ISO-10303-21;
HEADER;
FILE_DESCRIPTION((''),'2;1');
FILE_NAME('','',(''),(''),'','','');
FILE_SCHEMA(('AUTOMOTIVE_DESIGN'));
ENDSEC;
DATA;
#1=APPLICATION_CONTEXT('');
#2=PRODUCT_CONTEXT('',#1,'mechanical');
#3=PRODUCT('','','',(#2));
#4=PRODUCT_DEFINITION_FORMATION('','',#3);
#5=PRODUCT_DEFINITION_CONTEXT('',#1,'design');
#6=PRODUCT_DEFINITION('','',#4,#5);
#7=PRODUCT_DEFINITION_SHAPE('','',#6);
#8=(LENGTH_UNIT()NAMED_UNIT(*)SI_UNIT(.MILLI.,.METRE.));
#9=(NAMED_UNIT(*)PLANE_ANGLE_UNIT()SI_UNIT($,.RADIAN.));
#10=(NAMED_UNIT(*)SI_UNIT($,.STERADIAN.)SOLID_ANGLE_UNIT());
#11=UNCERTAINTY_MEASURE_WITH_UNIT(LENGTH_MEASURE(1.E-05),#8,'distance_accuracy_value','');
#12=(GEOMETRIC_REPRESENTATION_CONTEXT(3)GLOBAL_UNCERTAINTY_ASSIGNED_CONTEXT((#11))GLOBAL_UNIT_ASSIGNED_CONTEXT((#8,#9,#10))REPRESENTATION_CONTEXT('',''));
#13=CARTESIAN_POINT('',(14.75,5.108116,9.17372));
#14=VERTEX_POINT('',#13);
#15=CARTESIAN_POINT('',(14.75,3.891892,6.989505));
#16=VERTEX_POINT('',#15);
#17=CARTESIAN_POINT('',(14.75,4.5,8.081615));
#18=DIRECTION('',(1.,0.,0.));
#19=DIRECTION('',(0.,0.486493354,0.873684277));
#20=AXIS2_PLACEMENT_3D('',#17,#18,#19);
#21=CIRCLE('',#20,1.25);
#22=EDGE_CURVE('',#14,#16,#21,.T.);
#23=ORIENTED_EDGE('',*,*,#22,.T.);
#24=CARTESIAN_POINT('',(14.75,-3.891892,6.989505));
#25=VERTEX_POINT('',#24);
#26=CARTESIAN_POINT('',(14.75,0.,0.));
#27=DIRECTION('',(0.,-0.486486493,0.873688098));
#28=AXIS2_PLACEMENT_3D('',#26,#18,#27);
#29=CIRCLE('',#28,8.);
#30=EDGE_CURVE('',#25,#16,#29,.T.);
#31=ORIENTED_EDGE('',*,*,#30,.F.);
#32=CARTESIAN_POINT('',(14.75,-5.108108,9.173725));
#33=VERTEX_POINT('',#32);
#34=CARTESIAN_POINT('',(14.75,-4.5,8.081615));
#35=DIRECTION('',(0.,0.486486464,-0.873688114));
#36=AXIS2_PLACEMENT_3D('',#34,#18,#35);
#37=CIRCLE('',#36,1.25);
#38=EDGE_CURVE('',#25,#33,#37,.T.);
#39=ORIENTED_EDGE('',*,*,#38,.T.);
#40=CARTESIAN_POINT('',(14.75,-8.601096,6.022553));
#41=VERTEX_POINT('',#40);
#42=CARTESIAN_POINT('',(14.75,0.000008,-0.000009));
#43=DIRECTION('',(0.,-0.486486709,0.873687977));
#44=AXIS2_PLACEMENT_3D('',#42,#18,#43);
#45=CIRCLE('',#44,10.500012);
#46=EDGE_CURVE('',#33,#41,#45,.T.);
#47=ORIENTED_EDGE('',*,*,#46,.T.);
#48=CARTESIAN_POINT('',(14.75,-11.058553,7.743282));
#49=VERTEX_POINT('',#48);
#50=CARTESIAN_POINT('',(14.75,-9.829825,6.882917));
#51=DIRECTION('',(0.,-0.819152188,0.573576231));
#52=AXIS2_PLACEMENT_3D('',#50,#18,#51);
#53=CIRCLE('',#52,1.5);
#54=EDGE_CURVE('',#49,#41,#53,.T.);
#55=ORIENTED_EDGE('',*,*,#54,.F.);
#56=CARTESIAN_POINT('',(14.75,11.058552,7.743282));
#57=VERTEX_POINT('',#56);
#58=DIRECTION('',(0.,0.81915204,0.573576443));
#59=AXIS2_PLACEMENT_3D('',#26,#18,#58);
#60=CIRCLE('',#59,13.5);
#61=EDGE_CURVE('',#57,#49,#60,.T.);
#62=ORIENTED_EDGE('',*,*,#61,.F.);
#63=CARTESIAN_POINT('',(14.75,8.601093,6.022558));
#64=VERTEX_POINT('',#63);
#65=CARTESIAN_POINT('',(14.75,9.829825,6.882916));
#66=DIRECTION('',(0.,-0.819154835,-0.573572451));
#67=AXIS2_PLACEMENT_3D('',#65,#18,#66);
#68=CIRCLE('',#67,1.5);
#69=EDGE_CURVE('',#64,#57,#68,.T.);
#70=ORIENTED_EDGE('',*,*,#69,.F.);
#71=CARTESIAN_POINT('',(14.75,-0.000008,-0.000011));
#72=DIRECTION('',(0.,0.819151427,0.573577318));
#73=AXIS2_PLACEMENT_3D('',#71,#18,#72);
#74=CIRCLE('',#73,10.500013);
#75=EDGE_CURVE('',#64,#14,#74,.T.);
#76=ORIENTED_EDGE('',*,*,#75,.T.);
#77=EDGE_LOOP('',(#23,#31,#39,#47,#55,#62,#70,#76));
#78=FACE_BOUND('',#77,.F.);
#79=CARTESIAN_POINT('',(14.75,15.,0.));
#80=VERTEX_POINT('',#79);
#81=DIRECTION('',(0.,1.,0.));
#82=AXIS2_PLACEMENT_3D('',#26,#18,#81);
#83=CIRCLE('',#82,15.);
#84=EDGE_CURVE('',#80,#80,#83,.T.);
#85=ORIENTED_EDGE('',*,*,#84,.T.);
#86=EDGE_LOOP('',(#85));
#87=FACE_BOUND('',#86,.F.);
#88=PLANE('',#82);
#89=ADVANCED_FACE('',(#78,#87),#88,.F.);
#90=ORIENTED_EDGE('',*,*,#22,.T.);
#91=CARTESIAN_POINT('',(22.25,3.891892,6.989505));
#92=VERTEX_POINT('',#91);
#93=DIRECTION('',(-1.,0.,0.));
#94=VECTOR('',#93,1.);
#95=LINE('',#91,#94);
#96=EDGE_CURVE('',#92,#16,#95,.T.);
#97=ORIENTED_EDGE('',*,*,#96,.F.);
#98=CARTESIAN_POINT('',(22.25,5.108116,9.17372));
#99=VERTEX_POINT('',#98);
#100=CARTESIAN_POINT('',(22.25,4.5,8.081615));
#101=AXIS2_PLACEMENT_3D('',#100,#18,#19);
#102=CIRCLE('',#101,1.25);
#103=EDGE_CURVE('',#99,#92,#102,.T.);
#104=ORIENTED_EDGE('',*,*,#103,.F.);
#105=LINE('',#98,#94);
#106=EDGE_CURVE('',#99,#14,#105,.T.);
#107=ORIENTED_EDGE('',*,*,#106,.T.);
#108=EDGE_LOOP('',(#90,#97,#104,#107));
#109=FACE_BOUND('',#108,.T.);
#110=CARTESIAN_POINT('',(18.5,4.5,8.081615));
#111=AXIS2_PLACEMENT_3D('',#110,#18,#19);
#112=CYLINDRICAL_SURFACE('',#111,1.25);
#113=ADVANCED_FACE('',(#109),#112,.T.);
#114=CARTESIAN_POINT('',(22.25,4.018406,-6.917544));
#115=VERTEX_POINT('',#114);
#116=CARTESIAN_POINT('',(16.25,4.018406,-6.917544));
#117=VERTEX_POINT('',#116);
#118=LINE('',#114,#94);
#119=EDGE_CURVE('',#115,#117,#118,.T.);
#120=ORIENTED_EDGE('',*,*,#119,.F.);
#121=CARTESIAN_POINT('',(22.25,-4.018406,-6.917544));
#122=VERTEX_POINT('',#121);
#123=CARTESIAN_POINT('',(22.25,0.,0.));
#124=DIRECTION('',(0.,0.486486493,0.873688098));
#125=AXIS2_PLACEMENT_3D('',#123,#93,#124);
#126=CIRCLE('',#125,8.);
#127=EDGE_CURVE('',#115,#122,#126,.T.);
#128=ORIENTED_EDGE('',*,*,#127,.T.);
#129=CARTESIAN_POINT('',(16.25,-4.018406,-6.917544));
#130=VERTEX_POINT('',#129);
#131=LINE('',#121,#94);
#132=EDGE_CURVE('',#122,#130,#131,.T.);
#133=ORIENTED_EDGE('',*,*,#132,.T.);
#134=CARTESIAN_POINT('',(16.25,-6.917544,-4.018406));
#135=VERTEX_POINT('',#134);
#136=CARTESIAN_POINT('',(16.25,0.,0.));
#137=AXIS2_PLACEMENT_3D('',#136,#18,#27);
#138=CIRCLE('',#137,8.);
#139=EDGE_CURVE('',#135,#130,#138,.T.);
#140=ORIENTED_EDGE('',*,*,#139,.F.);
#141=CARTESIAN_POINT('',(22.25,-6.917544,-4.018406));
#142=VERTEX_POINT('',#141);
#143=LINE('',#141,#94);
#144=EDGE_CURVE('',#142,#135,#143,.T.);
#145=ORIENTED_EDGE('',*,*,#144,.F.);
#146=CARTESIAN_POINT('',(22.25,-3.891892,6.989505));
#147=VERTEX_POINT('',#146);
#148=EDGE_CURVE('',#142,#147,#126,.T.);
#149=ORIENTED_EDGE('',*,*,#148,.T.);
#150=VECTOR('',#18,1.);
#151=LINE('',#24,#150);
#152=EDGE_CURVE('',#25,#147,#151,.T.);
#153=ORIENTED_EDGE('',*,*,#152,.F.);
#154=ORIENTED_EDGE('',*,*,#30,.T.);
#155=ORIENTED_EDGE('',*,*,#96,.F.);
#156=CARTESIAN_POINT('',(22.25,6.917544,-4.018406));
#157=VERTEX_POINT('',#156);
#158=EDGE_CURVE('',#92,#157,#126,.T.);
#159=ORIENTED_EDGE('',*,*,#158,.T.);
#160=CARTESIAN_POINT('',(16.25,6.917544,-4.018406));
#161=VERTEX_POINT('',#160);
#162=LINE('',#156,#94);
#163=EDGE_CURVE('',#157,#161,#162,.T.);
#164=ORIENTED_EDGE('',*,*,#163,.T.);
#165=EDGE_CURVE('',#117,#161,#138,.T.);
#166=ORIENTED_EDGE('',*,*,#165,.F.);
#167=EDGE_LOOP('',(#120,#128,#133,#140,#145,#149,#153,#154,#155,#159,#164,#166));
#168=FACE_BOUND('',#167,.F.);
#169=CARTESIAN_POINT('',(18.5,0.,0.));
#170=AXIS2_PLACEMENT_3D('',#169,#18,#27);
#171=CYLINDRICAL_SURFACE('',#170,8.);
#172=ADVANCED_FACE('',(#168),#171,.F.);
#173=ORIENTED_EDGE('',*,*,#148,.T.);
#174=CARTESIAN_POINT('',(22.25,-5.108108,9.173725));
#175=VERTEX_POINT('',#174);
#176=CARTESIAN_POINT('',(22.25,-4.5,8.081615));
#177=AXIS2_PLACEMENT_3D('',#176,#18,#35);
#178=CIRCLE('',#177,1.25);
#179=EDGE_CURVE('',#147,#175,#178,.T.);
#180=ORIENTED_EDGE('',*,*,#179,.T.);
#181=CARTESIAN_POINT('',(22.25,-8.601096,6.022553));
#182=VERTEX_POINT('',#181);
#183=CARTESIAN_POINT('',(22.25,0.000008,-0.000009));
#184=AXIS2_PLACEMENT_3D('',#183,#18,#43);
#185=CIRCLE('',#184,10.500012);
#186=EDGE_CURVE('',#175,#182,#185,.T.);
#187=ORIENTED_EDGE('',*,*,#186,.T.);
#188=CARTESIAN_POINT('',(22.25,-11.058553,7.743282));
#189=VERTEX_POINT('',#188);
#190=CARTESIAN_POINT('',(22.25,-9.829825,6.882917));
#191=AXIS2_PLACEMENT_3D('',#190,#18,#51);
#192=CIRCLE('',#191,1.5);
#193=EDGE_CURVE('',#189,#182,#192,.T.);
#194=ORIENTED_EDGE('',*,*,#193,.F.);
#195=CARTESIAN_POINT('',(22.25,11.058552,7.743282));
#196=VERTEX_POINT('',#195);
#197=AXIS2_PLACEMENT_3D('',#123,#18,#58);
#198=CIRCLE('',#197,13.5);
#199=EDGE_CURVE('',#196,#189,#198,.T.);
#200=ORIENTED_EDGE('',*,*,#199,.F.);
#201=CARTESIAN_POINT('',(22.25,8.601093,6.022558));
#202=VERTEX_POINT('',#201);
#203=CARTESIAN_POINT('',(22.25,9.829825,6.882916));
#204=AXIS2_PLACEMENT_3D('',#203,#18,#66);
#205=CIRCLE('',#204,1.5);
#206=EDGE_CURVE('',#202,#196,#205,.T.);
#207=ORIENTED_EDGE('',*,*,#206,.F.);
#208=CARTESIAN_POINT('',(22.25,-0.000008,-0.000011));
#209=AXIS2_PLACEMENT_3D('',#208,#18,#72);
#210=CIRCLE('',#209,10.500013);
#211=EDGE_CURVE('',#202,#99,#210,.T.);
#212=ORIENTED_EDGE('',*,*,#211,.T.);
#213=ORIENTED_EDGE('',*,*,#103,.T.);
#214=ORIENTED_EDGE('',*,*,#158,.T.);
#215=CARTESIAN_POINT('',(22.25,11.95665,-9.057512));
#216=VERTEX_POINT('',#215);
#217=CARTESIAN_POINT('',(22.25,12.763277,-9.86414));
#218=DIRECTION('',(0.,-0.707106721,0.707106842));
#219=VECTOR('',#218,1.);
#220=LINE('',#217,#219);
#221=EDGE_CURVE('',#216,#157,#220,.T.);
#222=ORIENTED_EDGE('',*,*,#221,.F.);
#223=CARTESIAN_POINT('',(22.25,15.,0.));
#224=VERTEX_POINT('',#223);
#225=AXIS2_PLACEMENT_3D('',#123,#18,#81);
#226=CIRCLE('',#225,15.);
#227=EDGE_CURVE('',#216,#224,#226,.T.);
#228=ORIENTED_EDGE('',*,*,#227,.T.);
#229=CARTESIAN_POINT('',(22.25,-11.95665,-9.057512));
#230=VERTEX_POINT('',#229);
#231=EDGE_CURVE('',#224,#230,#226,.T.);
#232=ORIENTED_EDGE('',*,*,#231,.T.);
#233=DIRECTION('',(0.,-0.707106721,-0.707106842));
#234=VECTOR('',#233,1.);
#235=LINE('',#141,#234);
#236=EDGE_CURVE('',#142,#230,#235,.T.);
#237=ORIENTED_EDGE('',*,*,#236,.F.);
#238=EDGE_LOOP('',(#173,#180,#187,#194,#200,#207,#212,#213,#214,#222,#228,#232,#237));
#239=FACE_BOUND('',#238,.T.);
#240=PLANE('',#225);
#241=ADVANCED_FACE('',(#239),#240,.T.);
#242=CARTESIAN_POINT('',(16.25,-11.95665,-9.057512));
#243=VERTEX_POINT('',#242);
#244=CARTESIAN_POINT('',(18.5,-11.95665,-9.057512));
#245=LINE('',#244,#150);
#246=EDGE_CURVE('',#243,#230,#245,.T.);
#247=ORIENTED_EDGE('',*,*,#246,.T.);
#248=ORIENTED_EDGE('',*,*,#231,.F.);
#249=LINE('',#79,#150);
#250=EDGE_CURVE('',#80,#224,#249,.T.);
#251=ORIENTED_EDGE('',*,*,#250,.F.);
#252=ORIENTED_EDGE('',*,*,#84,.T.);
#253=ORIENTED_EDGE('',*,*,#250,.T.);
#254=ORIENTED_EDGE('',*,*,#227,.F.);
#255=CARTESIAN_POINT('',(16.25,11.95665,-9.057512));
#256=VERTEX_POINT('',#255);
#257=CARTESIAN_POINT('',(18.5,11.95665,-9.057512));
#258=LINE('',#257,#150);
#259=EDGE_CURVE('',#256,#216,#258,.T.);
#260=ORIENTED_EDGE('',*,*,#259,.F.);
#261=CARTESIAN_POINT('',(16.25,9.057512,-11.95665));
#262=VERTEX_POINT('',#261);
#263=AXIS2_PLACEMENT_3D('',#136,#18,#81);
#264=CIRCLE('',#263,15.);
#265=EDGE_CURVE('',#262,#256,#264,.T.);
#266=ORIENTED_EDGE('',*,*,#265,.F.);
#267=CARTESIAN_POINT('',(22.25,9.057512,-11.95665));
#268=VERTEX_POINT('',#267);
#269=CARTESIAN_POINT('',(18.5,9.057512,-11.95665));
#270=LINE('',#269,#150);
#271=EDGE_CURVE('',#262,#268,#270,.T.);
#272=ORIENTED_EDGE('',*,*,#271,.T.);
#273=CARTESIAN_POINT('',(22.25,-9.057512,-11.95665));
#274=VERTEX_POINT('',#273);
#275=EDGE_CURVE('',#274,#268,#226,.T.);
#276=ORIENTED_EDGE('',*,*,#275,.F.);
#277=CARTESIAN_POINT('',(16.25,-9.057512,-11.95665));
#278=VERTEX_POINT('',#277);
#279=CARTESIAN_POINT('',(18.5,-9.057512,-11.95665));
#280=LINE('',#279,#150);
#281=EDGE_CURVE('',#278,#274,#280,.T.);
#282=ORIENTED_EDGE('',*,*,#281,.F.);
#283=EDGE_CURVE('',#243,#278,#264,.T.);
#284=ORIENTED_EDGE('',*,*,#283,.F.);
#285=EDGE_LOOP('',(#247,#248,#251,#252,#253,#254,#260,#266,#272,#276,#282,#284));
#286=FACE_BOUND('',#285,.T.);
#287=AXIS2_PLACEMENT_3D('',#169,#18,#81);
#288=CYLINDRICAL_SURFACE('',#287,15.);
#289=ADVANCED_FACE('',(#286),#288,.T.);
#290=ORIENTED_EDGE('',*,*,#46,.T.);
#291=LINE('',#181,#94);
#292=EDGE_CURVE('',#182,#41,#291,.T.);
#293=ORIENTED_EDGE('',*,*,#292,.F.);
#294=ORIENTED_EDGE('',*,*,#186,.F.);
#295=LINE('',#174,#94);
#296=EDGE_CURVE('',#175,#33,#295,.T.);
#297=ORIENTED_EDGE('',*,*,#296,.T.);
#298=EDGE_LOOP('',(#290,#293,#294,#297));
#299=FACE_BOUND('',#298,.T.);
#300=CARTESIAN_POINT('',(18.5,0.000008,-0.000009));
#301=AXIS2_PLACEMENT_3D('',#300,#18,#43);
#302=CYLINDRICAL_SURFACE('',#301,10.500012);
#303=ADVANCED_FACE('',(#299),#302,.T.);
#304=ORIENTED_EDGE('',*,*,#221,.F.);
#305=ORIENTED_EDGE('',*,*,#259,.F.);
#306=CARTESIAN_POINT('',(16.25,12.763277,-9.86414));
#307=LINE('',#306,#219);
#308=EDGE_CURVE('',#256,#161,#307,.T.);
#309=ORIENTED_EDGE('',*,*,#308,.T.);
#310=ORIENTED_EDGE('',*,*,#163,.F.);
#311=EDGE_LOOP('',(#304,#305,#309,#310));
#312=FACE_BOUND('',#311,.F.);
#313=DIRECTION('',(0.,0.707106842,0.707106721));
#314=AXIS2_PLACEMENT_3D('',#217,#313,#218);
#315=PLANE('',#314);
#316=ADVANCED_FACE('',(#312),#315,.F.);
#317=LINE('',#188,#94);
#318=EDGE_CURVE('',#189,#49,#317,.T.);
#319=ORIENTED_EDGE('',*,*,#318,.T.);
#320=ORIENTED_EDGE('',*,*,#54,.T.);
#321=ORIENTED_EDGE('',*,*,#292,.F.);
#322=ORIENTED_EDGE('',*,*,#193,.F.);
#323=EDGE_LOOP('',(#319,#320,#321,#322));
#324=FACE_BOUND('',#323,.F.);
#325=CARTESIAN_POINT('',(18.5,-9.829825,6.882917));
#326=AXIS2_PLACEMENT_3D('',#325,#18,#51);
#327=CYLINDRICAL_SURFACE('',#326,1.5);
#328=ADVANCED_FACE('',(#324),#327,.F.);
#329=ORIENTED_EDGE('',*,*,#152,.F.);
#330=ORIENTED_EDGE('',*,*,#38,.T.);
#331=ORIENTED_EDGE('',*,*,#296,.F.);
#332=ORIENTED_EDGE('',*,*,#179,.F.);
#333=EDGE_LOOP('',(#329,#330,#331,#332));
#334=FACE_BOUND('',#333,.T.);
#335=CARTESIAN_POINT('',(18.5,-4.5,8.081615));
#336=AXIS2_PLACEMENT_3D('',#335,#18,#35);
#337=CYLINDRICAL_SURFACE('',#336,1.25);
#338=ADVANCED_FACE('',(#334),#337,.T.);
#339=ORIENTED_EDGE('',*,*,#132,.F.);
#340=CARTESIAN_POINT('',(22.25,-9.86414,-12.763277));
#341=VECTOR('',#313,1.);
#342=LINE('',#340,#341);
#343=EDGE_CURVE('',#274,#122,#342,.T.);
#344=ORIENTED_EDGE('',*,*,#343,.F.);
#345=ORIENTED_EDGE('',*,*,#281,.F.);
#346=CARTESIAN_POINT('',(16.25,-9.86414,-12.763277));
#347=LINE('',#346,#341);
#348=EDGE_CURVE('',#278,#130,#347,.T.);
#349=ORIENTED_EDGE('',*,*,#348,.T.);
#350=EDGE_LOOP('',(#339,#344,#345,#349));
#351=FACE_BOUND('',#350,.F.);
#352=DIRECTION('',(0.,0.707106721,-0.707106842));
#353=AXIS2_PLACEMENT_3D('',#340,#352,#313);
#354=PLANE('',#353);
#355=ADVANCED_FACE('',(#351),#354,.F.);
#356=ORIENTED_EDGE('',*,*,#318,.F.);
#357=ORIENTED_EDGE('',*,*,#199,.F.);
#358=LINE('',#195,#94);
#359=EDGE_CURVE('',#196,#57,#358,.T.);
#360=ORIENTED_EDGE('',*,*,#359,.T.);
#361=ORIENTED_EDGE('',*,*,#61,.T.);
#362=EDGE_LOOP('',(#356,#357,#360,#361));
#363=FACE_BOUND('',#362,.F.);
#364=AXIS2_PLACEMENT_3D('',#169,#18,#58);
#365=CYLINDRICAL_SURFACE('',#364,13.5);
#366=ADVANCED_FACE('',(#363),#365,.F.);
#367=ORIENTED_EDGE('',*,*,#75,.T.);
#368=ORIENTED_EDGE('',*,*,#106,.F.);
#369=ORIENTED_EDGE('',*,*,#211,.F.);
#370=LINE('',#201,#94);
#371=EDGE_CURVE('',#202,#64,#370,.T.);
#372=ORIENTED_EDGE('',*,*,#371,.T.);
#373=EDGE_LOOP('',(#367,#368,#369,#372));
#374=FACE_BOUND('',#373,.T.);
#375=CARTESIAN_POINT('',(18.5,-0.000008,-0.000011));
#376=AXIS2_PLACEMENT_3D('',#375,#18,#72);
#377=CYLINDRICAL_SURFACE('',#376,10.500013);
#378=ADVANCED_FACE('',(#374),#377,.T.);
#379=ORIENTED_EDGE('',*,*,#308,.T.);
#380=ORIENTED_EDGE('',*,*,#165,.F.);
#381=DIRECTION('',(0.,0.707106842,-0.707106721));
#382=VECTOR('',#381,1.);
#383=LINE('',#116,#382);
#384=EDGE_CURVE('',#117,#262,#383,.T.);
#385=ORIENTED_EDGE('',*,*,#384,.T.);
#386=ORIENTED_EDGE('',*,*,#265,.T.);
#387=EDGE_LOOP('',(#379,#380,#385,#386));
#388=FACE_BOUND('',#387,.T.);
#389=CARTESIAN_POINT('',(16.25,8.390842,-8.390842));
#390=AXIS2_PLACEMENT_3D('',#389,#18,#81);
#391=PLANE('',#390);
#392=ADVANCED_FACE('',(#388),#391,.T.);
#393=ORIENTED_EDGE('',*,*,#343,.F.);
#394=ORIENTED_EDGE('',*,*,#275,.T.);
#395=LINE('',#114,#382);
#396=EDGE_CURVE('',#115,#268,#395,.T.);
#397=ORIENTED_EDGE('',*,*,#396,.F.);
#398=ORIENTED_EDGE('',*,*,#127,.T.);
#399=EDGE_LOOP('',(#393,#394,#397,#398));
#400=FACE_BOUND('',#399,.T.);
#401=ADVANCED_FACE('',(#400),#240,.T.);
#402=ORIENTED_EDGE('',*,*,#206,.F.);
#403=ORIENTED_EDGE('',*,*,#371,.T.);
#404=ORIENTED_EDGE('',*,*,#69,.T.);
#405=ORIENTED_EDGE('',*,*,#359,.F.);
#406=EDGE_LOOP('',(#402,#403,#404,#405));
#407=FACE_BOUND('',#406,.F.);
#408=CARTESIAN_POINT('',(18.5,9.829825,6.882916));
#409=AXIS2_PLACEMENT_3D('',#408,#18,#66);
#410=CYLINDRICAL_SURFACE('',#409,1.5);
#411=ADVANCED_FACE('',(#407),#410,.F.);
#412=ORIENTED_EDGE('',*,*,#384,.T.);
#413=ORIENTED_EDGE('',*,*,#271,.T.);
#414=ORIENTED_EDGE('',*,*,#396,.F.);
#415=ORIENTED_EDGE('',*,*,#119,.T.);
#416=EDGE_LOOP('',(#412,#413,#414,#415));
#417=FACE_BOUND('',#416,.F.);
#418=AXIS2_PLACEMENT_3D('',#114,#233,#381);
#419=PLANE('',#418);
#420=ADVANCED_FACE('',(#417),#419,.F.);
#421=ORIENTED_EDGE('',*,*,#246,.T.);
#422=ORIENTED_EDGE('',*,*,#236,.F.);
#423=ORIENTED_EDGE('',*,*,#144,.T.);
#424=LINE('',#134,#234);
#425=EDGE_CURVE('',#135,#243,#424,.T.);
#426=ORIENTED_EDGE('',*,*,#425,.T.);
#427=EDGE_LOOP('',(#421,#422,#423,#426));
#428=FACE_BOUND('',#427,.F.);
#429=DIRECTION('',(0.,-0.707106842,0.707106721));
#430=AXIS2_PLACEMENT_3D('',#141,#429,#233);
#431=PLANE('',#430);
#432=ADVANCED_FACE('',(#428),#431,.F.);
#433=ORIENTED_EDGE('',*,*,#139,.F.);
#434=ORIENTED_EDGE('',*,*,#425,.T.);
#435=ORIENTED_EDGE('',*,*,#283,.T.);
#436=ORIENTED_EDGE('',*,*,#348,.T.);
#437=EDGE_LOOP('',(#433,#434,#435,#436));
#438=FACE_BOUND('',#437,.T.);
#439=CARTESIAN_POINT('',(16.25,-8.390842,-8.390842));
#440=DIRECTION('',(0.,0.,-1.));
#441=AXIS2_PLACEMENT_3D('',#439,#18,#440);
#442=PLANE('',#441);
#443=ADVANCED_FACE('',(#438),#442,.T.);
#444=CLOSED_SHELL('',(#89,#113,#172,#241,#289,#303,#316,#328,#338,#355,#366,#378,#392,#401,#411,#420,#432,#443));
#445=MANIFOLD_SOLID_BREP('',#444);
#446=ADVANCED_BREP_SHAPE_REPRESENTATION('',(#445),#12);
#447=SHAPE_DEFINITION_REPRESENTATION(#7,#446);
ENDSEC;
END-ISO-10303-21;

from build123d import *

# Parameters (mm, degrees)
SKETCH087_R             = 8
SKETCH087_R_2           = 4
PAD045_DEPTH            = 7.5
SKETCH088_R             = 6
SKETCH088_R_2           = 4
PAD046_DEPTH            = 7
SKETCH089_R             = 8
SKETCH089_R_2           = 4
PAD047_DEPTH            = 1.5
SKETCH090_R             = 2
PAD048_DEPTH            = 9
BODY031_ROLL_ANGLE      = 45
BODY031_PLACEMENT_ANGLE = 180
SKETCH091_R             = 15
PAD049_DEPTH            = 3.75
POCKET029_DEPTH         = 6
POLARPATTERN021_COUNT   = 2
POLARPATTERN021_ANGLE   = 90


with BuildPart() as polea8d:
    # Sketch087 → Pad045 (new body)
    with BuildSketch(Plane.YZ):
        Circle(SKETCH087_R)
        Circle(SKETCH087_R_2, mode=Mode.SUBTRACT)
    extrude(amount=PAD045_DEPTH)

    # Sketch088 (on Face3 of Pad045) → Pad046 (join)
    with BuildSketch(Plane(origin=(0, 0, 0), x_dir=(0, 1, 0), z_dir=(-1, 0, 0))):
        Circle(SKETCH088_R)
        Circle(SKETCH088_R_2, mode=Mode.SUBTRACT)
    extrude(amount=PAD046_DEPTH)

    # Sketch089 (on Face6 of Pad046) → Pad047 (join)
    with BuildSketch(Plane(origin=(-7, 0, 0), x_dir=(0, 1, 0), z_dir=(-1, 0, 0))):
        Circle(SKETCH089_R)
        Circle(SKETCH089_R_2, mode=Mode.SUBTRACT)
    extrude(amount=PAD047_DEPTH)

    # Sketch090 → Pad048 (join)
    with BuildSketch(Plane.XZ):
        with Locations((4, 0)):
            Circle(SKETCH090_R)
    extrude(amount=PAD048_DEPTH)


with BuildPart() as polea8d_1:
    # Body031 roll: moved
    add(polea8d.part.rotate(Axis((0, 0, 0), (1, 0, 0)), BODY031_ROLL_ANGLE))


with BuildPart() as polea8d_2:
    # Body031 placement: moved
    add(polea8d_1.part.moved(Location((22.5, 0, 0))).rotate(Axis((22.5, 0, 0), (0, 0, 1)), BODY031_PLACEMENT_ANGLE))


with BuildPart() as body034:
    # Sketch091 → Pad049 (new body, symmetric)
    with BuildSketch(Plane.YZ):
        Circle(SKETCH091_R)
        with BuildLine():
            ThreePointArc((-3.891892, 6.989505), (0, -8), (3.891892, 6.989505))
            ThreePointArc((5.108116, 9.17372), (3.407892, 8.689727), (3.891892, 6.989505))
            ThreePointArc((8.601093, 6.022558), (7.033353, 7.796277), (5.108116, 9.17372))
            ThreePointArc((8.601093, 6.022558), (10.690187, 5.654187), (11.058552, 7.743282))
            ThreePointArc((11.058552, 7.743282), (0, 13.5), (-11.058553, 7.743282))
            ThreePointArc((-11.058553, 7.743282), (-10.690189, 5.654189), (-8.601096, 6.022553))
            ThreePointArc((-5.108108, 9.173725), (-7.033352, 7.796278), (-8.601096, 6.022553))
            ThreePointArc((-3.891892, 6.989505), (-3.40789, 8.689723), (-5.108108, 9.173725))
        make_face(mode=Mode.SUBTRACT)
    extrude(amount=PAD049_DEPTH, both=True)


with BuildPart() as body034_1:
    # Body032 placement: moved
    add(body034.part.moved(Location((18.5, 0, 0))))

    # Cut005: cut polea8d
    add(polea8d_2.part, mode=Mode.SUBTRACT)

    # Sketch092 (on Face3 of BaseFeature005) → Pocket029 (cut)
    with BuildSketch(Plane.YZ.offset(22.25)):
        Polygon((4.018406, -6.917544), (9.86414, -12.763277), (12.763277, -9.86414), (6.917544, -4.018406), align=None)
    pocket029 = extrude(amount=-POCKET029_DEPTH, mode=Mode.SUBTRACT)

    # PolarPattern021: Pocket029 ×2 about axis
    polarpattern021_axis = Axis((22.25, 0, 0), (-1, 0, 0))
    for i in range(1, POLARPATTERN021_COUNT):
        add(pocket029.rotate(polarpattern021_axis, i * POLARPATTERN021_ANGLE / (POLARPATTERN021_COUNT - 1)), mode=Mode.SUBTRACT)


solid = body034_1.part
